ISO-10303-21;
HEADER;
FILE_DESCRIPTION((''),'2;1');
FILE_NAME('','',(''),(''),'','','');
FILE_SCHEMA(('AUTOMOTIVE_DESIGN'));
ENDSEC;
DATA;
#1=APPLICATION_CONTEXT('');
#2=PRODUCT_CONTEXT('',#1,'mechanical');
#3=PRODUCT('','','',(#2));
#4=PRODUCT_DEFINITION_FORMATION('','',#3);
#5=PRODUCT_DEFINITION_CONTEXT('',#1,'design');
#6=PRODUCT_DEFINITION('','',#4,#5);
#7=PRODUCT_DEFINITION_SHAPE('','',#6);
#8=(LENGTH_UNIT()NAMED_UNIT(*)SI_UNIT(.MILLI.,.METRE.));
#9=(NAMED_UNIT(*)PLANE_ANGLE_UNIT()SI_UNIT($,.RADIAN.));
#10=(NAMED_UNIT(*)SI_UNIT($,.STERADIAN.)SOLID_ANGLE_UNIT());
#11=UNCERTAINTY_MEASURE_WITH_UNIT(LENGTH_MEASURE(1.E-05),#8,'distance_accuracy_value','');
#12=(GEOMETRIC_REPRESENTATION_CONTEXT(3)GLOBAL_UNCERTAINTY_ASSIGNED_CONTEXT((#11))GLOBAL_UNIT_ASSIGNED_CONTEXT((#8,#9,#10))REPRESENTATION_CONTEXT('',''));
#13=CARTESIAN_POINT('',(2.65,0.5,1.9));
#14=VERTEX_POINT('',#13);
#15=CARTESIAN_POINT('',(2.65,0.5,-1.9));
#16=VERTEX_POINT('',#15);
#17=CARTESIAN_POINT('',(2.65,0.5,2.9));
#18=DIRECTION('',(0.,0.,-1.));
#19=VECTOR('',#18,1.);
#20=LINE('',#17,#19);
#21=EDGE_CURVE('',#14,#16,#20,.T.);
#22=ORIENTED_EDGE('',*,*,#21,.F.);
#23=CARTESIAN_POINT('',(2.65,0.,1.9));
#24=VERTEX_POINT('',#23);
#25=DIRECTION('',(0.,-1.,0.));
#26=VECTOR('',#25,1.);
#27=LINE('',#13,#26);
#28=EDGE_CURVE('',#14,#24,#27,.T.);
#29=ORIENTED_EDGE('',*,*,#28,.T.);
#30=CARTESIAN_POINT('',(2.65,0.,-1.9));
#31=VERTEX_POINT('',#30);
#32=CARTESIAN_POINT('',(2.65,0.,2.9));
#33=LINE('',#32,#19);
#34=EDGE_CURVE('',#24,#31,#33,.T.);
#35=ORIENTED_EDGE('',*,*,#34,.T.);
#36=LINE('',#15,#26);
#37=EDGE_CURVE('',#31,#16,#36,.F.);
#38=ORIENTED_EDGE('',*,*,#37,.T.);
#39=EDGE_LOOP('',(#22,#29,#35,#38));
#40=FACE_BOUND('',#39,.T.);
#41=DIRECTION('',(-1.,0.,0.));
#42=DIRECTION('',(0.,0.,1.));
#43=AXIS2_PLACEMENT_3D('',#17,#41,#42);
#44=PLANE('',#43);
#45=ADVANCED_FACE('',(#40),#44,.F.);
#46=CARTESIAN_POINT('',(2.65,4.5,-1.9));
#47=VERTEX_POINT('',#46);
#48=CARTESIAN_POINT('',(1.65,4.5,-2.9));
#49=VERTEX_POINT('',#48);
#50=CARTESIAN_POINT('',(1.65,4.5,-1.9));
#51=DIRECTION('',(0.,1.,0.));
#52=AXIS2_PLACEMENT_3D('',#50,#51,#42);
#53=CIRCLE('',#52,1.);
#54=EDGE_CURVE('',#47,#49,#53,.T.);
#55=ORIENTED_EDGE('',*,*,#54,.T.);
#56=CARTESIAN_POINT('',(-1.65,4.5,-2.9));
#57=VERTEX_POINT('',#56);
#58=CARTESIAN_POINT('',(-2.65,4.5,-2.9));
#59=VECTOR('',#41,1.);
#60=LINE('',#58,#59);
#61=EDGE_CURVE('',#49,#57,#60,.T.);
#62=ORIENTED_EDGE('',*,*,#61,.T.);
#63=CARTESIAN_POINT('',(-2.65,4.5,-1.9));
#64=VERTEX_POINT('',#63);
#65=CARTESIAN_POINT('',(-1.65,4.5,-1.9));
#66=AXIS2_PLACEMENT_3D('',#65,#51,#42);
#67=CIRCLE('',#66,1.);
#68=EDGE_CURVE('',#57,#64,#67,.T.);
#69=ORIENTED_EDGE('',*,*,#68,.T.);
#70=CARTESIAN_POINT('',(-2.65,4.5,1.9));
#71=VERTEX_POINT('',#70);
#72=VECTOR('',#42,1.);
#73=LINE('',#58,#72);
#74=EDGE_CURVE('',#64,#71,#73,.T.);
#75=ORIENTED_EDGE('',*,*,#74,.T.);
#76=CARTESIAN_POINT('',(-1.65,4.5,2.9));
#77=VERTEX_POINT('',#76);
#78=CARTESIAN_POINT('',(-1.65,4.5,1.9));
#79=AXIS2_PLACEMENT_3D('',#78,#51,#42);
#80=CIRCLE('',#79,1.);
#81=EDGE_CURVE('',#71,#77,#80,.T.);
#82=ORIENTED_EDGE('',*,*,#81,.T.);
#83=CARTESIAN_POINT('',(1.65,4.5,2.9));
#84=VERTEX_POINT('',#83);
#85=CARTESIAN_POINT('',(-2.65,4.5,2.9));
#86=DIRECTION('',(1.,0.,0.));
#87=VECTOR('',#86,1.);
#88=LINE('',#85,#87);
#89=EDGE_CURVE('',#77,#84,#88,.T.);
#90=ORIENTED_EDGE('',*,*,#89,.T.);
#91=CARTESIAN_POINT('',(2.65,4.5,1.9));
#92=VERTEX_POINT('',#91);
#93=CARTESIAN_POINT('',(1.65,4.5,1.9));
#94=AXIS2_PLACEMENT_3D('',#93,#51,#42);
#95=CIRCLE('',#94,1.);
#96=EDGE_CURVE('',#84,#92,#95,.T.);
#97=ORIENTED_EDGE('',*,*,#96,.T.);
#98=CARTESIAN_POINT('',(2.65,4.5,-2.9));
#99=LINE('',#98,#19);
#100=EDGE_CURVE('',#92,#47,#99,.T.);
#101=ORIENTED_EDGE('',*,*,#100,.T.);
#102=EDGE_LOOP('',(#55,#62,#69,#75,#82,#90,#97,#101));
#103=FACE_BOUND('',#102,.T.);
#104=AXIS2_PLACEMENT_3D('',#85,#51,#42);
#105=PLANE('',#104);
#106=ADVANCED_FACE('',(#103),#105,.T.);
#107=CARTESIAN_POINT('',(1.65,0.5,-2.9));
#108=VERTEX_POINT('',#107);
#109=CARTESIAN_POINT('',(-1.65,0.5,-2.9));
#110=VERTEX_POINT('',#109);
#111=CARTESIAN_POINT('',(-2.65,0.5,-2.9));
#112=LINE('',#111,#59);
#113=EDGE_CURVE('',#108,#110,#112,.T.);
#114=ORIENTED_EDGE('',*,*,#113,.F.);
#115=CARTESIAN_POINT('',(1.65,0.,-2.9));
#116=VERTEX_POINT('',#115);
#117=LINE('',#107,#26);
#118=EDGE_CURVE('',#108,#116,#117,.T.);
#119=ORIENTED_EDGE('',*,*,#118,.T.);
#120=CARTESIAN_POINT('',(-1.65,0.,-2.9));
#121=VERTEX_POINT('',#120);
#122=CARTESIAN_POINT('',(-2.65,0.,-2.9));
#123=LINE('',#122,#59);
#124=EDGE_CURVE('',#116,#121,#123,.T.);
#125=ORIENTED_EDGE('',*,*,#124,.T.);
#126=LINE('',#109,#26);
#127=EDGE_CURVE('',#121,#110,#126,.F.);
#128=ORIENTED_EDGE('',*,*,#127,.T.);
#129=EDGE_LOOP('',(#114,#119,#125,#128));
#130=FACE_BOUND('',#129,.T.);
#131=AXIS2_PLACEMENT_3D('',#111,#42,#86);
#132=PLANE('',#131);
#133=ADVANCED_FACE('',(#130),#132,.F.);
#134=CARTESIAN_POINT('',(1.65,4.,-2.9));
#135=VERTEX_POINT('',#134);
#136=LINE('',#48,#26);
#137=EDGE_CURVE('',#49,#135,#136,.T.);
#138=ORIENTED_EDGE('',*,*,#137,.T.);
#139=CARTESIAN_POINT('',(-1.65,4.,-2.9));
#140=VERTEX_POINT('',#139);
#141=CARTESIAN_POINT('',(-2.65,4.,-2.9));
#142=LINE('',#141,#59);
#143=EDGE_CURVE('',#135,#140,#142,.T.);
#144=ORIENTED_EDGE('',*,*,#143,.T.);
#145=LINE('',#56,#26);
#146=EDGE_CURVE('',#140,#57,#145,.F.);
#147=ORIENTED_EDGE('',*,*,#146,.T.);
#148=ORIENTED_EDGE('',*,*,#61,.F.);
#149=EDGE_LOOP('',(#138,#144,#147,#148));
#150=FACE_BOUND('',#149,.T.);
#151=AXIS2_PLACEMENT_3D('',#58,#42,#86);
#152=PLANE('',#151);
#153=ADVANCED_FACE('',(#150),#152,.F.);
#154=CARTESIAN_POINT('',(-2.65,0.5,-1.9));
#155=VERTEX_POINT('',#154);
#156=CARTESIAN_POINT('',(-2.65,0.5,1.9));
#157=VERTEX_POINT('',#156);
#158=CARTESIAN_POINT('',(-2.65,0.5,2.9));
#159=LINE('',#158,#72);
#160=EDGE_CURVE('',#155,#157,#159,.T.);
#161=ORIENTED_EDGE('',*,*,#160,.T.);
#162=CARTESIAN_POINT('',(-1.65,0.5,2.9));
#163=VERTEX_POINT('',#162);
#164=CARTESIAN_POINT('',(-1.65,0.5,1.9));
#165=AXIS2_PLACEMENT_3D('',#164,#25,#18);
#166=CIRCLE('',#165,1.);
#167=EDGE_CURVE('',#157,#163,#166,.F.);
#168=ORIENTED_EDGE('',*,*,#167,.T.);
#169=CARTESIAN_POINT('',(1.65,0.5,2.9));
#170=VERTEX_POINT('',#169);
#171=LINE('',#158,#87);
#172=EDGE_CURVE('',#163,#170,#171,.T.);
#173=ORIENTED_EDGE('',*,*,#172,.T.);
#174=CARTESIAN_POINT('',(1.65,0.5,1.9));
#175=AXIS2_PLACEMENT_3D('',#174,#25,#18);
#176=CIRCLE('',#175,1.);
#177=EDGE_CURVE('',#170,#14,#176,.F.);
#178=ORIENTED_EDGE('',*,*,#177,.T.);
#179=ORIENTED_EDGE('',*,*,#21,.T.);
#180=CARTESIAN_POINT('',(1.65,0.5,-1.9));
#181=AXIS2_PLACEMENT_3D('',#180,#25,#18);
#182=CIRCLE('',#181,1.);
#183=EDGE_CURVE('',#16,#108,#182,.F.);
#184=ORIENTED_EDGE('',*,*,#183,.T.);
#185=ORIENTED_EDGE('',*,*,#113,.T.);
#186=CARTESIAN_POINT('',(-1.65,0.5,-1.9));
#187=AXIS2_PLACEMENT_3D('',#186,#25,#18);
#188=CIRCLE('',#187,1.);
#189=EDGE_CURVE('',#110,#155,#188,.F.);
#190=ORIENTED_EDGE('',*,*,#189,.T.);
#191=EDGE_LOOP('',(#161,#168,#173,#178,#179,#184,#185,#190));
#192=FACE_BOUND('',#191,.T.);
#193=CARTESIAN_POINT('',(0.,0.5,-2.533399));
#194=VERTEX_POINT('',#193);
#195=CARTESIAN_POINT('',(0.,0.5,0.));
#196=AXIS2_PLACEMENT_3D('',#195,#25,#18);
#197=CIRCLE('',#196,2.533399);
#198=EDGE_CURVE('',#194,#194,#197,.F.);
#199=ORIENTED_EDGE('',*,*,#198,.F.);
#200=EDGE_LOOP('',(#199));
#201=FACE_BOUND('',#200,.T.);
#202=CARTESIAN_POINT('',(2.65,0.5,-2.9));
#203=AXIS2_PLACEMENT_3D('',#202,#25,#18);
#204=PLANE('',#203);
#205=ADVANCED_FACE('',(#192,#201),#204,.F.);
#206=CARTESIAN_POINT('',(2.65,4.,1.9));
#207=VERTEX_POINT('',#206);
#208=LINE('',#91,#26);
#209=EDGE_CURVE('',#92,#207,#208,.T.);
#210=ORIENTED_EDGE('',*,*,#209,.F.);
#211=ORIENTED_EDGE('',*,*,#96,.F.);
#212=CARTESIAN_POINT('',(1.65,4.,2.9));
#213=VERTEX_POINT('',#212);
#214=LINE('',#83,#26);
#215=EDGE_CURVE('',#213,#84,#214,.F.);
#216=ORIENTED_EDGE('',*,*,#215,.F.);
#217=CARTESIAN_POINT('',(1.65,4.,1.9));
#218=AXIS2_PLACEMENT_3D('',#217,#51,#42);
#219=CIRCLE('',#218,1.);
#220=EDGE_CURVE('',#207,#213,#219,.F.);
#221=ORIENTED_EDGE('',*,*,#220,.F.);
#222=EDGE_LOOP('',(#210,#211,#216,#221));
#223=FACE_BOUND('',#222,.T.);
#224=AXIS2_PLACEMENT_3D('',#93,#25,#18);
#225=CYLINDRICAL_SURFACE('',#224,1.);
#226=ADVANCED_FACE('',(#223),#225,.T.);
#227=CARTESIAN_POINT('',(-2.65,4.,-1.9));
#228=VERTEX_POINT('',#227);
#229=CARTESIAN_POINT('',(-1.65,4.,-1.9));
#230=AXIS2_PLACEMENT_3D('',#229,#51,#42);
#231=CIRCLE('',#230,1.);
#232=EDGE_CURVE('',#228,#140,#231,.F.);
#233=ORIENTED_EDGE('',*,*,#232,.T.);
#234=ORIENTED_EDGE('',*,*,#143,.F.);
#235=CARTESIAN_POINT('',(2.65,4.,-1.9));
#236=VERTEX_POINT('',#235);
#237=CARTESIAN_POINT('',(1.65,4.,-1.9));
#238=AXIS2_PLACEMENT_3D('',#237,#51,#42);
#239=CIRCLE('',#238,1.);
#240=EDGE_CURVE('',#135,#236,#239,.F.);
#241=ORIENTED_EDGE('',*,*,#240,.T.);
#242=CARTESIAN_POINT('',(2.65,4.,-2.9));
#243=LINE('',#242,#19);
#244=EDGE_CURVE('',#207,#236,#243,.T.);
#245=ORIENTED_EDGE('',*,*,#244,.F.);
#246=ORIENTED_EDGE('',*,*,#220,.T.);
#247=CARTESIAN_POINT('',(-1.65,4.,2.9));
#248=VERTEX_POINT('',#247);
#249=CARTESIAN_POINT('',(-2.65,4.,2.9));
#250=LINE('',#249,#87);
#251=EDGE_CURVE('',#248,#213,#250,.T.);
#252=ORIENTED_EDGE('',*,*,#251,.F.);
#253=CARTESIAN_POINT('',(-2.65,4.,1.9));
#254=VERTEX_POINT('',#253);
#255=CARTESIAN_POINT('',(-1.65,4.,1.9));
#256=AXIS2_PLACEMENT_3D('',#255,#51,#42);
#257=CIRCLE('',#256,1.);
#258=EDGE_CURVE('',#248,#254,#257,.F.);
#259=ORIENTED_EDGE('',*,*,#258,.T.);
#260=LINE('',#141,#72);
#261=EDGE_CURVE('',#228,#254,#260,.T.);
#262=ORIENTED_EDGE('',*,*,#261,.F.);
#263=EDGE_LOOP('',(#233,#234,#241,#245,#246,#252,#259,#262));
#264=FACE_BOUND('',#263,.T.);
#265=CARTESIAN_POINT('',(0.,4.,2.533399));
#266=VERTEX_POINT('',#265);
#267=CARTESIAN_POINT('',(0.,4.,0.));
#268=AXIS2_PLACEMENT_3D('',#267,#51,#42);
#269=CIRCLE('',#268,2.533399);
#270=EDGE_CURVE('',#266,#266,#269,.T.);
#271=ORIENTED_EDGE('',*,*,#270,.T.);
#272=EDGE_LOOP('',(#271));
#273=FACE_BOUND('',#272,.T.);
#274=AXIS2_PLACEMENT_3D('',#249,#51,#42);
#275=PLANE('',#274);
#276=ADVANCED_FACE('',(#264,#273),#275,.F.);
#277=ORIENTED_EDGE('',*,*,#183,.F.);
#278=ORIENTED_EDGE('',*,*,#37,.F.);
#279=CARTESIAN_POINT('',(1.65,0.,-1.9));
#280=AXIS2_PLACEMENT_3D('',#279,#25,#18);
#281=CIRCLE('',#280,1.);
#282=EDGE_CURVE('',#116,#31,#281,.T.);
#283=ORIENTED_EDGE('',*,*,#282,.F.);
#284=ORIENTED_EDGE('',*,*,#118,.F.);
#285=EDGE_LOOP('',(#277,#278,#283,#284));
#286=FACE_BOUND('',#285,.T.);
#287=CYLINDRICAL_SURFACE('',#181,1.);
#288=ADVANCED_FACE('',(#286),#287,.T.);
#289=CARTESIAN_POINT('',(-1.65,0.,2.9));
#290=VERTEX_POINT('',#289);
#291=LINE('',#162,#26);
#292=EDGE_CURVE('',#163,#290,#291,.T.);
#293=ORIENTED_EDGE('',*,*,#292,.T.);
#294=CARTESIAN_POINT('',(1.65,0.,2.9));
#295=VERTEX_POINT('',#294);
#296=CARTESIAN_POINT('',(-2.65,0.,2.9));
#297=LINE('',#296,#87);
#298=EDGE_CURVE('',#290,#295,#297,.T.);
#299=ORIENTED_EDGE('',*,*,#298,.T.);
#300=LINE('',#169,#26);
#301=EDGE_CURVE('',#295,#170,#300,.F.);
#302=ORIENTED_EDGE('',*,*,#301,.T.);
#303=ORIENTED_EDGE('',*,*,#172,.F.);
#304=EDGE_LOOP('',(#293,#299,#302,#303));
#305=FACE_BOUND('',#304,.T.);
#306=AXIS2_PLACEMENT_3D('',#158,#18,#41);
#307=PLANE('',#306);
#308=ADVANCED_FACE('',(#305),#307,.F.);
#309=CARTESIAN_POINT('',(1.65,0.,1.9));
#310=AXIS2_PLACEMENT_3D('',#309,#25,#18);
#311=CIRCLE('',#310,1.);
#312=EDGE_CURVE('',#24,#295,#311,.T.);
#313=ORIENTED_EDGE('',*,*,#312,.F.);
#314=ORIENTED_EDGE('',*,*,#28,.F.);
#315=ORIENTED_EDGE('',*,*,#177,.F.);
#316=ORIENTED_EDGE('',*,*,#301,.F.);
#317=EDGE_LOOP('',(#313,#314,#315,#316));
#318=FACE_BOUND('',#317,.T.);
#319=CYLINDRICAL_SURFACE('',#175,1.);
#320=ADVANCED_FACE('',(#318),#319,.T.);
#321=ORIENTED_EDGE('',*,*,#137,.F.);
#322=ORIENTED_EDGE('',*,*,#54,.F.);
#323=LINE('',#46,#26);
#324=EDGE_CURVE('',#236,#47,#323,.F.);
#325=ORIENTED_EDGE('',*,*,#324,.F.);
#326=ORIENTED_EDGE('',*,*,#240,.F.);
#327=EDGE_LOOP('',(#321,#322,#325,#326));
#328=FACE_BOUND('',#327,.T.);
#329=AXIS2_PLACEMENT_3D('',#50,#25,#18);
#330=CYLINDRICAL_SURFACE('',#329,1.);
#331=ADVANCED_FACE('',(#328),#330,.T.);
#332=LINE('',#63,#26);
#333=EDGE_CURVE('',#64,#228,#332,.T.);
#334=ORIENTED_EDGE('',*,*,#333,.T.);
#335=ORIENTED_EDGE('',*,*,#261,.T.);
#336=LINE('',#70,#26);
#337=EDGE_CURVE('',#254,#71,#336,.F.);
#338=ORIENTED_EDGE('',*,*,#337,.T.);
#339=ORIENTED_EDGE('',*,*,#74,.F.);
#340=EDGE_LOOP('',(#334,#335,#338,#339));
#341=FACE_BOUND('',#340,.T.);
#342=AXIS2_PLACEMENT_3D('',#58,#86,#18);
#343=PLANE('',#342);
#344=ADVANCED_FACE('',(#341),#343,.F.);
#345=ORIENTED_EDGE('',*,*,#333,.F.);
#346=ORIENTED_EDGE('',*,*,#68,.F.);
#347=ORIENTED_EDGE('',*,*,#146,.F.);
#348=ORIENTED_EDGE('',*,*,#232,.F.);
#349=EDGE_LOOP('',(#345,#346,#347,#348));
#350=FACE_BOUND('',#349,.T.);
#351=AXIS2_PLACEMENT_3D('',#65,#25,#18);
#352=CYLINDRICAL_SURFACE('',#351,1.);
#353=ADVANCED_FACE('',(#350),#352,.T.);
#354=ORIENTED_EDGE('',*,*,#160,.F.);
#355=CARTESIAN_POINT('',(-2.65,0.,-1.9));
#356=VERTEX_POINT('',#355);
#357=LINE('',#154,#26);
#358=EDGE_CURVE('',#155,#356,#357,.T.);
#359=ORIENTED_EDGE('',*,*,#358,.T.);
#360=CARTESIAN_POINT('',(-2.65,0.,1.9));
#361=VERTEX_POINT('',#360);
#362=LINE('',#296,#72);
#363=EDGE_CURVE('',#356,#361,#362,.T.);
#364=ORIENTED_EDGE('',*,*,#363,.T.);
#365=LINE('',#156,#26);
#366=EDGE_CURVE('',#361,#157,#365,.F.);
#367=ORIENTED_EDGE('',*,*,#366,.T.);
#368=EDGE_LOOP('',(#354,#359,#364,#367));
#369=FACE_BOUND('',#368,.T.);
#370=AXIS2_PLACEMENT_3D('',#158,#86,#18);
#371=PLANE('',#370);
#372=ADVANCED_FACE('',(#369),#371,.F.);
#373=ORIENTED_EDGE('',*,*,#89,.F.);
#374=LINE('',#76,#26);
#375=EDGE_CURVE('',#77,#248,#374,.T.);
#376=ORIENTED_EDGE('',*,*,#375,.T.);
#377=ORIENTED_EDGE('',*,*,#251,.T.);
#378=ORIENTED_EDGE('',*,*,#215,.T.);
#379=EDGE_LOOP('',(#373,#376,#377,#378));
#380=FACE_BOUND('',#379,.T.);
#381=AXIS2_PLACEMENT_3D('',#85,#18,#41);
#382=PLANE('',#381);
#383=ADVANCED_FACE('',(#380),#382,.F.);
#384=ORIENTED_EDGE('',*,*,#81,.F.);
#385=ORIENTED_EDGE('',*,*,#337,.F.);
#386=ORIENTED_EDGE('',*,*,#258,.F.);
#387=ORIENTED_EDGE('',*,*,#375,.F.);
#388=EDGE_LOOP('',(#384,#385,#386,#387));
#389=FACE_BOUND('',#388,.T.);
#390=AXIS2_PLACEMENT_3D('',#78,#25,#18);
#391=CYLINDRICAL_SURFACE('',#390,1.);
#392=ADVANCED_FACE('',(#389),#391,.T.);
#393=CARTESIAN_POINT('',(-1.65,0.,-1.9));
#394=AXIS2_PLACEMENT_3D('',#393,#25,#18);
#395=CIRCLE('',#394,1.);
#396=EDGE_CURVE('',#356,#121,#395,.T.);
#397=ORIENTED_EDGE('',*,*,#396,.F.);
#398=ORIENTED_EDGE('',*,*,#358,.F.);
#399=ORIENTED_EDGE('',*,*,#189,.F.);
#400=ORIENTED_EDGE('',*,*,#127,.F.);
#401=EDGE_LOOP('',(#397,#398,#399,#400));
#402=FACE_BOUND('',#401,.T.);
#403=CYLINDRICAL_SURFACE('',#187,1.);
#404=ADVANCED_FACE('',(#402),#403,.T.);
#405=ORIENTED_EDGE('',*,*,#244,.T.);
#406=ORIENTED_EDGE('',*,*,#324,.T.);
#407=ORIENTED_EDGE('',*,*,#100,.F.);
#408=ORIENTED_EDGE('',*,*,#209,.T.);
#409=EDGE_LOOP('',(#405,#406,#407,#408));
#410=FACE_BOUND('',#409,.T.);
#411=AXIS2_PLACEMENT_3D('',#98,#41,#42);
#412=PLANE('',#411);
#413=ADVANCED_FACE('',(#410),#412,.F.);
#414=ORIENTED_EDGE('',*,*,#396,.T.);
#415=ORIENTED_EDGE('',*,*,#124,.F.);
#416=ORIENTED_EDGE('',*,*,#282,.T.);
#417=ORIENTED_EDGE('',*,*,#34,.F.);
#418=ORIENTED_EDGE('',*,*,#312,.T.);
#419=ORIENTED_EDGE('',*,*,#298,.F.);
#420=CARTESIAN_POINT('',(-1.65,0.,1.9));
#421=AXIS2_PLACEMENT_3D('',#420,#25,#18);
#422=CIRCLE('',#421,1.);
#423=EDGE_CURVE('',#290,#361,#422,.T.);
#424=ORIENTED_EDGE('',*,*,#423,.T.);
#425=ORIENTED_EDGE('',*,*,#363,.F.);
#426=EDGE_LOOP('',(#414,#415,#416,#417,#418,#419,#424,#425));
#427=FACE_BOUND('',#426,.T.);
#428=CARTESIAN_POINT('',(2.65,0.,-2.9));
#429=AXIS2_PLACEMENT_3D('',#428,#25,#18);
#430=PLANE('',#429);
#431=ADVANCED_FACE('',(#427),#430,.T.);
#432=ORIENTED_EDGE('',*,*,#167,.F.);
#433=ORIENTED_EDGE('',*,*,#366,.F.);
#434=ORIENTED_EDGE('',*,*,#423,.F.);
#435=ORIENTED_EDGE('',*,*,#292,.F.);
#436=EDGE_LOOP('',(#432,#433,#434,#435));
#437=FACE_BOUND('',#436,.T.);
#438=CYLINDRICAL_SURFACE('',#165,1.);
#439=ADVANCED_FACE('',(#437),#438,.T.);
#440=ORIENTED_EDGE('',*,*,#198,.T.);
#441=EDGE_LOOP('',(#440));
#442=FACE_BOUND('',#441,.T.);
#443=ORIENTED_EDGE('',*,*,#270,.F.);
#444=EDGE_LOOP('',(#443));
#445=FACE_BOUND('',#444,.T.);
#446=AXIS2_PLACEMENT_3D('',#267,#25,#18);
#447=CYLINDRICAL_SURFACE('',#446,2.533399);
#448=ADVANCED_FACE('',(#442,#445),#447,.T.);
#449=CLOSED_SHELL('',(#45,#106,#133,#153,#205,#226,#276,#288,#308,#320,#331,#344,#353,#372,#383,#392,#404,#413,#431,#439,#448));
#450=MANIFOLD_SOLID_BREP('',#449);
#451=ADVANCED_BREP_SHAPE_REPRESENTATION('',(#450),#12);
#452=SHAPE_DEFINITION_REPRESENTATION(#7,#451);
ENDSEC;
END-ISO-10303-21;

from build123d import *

# Parameters (mm, degrees)
SKETCH1_W           = 5.3
SKETCH1_H           = 5.8
BOSS_EXTRUDE1_DEPTH = 0.5
SKETCH2_R           = 2.533399168
BOSS_EXTRUDE2_DEPTH = 3.5
SKETCH3_W           = 5.3
SKETCH3_H           = 5.8
BOSS_EXTRUDE3_DEPTH = 0.5
FILLET1_R           = 1


with BuildPart() as part:
    # Sketch1 → Boss-Extrude1 (new body)
    with BuildSketch(Plane(origin=(0, 0, 0), x_dir=(1, 0, 0), z_dir=(0, 1, 0))):
        Rectangle(SKETCH1_W, SKETCH1_H)
    extrude(amount=BOSS_EXTRUDE1_DEPTH)

    # Sketch2 → Boss-Extrude2 (add)
    with BuildSketch(Plane(origin=(0, 0.5, 0), x_dir=(-1, 0, 0), z_dir=(0, 1, 0))):
        Circle(SKETCH2_R)
    extrude(amount=BOSS_EXTRUDE2_DEPTH)

    # Sketch3 → Boss-Extrude3 (add)
    with BuildSketch(Plane(origin=(0, 4, 0), x_dir=(-1, 0, 0), z_dir=(0, 1, 0))):
        Rectangle(SKETCH3_W, SKETCH3_H)
    extrude(amount=BOSS_EXTRUDE3_DEPTH)

    # Fillet1
    fillet1_edges = [part.edges().sort_by_distance(p)[0] for p in [
        (-2.65, 4.25, -2.9),
        (-2.65, 4.25, 2.9),
        (2.65, 4.25, 2.9),
        (2.65, 4.25, -2.9),
        (2.65, 0.25, 2.9),
        (-2.65, 0.25, 2.9),
        (-2.65, 0.25, -2.9),
        (2.65, 0.25, -2.9),
    ]]
    fillet(fillet1_edges, radius=FILLET1_R)


solid = part.part
